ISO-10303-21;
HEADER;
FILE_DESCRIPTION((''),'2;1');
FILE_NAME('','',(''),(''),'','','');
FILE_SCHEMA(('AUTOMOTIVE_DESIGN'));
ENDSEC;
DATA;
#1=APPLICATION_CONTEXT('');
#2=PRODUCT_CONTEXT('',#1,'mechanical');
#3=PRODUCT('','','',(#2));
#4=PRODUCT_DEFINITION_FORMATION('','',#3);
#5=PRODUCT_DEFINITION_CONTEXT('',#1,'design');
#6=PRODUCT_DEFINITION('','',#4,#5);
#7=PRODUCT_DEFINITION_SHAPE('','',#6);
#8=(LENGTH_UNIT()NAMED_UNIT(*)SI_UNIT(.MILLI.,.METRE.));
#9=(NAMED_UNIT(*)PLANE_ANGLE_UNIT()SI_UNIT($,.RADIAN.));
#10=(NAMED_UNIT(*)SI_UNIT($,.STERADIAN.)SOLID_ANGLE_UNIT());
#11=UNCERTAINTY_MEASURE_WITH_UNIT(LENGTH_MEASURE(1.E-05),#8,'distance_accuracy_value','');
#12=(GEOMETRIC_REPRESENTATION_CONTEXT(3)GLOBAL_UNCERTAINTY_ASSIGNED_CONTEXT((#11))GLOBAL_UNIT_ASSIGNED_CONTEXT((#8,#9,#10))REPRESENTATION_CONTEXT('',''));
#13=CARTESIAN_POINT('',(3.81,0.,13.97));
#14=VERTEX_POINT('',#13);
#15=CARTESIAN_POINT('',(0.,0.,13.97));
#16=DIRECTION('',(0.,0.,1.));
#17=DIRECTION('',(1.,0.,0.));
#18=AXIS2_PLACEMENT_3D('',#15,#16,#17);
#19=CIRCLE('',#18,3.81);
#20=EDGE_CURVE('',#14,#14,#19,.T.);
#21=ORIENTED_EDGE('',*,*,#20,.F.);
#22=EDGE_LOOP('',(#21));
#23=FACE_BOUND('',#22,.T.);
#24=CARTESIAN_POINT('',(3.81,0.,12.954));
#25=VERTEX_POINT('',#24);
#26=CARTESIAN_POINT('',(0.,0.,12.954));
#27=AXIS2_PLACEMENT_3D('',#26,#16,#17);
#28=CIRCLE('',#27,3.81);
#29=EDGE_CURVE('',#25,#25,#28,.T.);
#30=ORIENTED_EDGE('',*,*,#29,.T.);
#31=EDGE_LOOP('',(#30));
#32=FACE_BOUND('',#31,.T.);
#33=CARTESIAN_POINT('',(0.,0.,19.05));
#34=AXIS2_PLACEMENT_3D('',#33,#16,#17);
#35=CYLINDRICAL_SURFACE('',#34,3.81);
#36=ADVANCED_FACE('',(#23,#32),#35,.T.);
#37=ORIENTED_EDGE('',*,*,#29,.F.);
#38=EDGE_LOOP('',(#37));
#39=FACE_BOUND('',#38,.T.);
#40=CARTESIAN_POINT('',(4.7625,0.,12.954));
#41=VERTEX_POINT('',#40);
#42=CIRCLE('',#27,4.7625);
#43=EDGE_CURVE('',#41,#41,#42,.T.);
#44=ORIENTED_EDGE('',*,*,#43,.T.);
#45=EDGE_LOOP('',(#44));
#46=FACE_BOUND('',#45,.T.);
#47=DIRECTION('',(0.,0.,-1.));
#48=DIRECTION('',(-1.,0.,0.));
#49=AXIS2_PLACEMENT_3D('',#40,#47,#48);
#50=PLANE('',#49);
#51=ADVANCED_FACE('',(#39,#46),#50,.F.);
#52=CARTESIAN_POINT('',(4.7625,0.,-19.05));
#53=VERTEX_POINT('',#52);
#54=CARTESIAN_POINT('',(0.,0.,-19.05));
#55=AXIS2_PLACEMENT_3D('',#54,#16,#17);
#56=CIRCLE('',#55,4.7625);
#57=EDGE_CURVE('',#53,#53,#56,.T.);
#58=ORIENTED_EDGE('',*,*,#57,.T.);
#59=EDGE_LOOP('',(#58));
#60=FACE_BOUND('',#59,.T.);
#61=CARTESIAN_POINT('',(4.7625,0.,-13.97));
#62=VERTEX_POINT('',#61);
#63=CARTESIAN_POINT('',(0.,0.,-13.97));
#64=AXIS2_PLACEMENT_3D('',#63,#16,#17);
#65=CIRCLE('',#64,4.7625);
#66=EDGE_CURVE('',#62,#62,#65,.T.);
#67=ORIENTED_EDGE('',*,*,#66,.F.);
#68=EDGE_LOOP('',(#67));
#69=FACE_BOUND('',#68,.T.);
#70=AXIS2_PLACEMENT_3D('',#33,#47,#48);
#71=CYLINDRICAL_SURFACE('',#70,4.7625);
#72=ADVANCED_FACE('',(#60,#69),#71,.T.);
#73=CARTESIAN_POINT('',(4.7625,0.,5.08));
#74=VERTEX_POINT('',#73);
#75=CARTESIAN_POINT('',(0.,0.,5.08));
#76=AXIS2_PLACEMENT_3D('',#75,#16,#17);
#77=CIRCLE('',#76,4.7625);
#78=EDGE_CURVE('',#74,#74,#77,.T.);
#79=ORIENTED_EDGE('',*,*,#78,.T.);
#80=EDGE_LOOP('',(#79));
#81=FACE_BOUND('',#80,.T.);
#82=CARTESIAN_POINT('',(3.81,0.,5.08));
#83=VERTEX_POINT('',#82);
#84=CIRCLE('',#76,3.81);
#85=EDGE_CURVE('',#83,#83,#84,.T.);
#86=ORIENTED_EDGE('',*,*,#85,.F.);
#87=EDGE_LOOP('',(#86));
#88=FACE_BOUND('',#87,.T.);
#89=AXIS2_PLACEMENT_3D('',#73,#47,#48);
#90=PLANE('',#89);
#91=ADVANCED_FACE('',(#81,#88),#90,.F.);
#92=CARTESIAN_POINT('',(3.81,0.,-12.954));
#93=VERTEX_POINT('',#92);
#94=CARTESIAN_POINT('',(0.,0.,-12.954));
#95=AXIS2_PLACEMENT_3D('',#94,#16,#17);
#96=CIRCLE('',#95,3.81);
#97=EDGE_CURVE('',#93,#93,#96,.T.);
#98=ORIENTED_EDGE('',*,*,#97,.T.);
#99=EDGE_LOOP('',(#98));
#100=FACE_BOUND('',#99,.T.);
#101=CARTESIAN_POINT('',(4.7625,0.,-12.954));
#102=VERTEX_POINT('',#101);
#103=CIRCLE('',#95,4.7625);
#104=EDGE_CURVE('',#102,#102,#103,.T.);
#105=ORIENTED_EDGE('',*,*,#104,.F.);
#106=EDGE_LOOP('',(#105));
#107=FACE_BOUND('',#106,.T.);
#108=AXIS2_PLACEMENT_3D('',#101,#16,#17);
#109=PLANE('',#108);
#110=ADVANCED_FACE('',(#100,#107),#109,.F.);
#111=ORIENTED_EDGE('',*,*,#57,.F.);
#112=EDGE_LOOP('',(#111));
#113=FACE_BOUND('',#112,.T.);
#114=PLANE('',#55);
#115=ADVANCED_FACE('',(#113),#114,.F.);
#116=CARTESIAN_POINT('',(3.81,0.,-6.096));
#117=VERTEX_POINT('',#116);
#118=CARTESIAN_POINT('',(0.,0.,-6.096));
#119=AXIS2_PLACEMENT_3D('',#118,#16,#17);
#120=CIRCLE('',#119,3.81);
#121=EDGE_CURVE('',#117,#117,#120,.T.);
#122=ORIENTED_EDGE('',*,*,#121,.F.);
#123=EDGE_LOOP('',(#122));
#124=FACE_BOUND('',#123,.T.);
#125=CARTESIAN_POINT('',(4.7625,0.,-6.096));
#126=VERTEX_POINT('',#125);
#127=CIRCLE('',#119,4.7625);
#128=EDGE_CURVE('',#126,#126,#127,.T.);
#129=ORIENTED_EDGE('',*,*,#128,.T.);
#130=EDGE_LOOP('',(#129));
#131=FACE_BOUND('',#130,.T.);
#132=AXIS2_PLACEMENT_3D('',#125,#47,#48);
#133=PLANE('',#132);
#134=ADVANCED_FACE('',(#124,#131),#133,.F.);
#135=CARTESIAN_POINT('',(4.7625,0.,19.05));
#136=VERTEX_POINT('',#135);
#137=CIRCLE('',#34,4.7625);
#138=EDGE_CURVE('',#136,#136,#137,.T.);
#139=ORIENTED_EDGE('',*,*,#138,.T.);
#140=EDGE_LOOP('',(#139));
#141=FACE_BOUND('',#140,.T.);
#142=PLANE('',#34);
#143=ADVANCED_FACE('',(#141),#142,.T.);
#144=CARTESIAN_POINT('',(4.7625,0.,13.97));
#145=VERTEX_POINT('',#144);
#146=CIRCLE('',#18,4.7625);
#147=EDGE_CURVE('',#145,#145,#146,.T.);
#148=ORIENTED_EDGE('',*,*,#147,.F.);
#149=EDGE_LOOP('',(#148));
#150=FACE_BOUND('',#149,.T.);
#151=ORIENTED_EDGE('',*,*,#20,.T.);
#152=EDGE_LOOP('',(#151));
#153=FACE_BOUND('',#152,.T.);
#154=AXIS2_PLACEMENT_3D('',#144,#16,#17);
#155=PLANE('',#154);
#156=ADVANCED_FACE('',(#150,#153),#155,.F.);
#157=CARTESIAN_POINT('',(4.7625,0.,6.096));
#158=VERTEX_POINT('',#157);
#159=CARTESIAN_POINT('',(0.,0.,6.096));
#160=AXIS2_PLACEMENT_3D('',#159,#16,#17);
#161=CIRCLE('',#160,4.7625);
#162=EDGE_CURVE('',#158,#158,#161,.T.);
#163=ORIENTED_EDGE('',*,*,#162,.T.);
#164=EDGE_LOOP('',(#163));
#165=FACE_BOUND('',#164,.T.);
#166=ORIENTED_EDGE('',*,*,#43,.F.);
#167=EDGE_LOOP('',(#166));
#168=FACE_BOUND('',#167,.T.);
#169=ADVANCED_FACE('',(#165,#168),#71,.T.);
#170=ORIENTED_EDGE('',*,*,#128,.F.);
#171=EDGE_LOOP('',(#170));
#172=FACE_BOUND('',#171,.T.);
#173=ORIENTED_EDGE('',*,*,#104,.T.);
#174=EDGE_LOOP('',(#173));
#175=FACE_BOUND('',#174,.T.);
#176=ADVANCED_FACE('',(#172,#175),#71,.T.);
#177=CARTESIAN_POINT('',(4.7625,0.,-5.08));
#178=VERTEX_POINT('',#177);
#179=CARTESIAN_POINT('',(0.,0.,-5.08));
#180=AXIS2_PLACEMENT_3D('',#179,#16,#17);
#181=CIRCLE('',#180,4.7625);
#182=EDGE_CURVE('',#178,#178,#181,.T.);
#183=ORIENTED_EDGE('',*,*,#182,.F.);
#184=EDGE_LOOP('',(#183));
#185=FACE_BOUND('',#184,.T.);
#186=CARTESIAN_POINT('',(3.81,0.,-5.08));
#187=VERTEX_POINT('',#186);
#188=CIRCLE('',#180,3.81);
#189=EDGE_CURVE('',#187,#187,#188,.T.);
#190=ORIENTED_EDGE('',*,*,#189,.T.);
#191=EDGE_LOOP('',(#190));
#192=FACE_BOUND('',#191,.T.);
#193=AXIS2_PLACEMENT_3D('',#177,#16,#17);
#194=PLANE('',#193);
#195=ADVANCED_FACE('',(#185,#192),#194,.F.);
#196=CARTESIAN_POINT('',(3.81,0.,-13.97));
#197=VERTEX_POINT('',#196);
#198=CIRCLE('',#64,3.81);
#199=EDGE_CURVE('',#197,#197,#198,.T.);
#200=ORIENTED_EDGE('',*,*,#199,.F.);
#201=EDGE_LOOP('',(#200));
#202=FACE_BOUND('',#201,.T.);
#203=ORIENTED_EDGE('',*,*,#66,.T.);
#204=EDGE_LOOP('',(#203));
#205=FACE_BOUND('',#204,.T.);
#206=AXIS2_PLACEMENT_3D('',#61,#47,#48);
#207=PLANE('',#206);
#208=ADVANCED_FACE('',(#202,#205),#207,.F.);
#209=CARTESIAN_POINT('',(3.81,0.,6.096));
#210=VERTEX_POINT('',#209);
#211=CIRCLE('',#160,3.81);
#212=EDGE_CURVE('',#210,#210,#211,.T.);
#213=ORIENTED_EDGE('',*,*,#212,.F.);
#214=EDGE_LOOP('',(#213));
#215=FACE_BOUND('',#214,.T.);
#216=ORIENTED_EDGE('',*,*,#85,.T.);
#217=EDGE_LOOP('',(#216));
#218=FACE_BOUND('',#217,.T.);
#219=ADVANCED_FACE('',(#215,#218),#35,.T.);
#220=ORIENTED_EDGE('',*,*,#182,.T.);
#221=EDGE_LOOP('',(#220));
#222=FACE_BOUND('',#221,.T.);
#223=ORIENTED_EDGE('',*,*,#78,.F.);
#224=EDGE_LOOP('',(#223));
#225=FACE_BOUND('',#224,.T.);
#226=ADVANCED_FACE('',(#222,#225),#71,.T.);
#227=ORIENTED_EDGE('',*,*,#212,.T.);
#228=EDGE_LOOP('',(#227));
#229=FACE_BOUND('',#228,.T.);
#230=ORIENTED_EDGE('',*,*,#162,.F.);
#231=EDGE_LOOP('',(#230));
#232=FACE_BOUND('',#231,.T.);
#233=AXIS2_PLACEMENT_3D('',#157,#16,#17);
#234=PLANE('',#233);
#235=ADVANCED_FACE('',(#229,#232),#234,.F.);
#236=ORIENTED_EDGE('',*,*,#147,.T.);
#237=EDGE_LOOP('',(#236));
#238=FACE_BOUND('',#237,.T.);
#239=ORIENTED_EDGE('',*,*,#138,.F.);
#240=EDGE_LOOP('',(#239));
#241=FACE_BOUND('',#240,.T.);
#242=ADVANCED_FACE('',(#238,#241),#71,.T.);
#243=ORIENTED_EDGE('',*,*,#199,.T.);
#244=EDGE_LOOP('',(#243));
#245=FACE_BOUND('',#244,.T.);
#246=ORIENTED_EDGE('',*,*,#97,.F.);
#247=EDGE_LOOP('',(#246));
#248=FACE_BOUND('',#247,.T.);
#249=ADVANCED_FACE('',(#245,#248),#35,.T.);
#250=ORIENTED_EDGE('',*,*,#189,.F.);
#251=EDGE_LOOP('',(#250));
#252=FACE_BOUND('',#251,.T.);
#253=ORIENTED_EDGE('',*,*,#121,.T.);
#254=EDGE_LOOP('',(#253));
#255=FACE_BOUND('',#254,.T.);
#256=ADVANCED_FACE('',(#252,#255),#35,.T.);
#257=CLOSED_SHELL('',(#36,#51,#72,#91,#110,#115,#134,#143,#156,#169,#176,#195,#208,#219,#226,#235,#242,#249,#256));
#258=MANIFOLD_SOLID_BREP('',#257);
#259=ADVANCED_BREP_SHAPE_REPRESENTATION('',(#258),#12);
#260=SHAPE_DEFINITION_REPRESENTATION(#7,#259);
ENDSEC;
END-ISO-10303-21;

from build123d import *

# Parameters (mm, degrees)
SKETCH1_R           = 4.7625
BOSS_EXTRUDE1_DEPTH = 19.05
SKETCH2_W           = 0.9525
SKETCH2_H           = 1.016


with BuildPart() as part:
    # Sketch1 → Boss-Extrude1 (new body, symmetric)
    with BuildSketch(Plane.XY):
        Circle(SKETCH1_R)
    extrude(amount=BOSS_EXTRUDE1_DEPTH, both=True)

    # Sketch2 → Cut-Revolve1 (revolve, cut)
    with BuildSketch(Plane(origin=(0, 0, 0), x_dir=(1, 0, 0), z_dir=(0, 1, 0))):
        with Locations((4.28625, 13.462)):
            Rectangle(SKETCH2_W, SKETCH2_H)
        with Locations((4.28625, -13.462)):
            Rectangle(SKETCH2_W, SKETCH2_H)
        with Locations((4.28625, 5.588)):
            Rectangle(SKETCH2_W, SKETCH2_H)
        with Locations((4.28625, -5.588)):
            Rectangle(SKETCH2_W, SKETCH2_H)
    revolve(axis=Axis((0, 0, 19.05), (0, 0, -1)), mode=Mode.SUBTRACT)


solid = part.part
